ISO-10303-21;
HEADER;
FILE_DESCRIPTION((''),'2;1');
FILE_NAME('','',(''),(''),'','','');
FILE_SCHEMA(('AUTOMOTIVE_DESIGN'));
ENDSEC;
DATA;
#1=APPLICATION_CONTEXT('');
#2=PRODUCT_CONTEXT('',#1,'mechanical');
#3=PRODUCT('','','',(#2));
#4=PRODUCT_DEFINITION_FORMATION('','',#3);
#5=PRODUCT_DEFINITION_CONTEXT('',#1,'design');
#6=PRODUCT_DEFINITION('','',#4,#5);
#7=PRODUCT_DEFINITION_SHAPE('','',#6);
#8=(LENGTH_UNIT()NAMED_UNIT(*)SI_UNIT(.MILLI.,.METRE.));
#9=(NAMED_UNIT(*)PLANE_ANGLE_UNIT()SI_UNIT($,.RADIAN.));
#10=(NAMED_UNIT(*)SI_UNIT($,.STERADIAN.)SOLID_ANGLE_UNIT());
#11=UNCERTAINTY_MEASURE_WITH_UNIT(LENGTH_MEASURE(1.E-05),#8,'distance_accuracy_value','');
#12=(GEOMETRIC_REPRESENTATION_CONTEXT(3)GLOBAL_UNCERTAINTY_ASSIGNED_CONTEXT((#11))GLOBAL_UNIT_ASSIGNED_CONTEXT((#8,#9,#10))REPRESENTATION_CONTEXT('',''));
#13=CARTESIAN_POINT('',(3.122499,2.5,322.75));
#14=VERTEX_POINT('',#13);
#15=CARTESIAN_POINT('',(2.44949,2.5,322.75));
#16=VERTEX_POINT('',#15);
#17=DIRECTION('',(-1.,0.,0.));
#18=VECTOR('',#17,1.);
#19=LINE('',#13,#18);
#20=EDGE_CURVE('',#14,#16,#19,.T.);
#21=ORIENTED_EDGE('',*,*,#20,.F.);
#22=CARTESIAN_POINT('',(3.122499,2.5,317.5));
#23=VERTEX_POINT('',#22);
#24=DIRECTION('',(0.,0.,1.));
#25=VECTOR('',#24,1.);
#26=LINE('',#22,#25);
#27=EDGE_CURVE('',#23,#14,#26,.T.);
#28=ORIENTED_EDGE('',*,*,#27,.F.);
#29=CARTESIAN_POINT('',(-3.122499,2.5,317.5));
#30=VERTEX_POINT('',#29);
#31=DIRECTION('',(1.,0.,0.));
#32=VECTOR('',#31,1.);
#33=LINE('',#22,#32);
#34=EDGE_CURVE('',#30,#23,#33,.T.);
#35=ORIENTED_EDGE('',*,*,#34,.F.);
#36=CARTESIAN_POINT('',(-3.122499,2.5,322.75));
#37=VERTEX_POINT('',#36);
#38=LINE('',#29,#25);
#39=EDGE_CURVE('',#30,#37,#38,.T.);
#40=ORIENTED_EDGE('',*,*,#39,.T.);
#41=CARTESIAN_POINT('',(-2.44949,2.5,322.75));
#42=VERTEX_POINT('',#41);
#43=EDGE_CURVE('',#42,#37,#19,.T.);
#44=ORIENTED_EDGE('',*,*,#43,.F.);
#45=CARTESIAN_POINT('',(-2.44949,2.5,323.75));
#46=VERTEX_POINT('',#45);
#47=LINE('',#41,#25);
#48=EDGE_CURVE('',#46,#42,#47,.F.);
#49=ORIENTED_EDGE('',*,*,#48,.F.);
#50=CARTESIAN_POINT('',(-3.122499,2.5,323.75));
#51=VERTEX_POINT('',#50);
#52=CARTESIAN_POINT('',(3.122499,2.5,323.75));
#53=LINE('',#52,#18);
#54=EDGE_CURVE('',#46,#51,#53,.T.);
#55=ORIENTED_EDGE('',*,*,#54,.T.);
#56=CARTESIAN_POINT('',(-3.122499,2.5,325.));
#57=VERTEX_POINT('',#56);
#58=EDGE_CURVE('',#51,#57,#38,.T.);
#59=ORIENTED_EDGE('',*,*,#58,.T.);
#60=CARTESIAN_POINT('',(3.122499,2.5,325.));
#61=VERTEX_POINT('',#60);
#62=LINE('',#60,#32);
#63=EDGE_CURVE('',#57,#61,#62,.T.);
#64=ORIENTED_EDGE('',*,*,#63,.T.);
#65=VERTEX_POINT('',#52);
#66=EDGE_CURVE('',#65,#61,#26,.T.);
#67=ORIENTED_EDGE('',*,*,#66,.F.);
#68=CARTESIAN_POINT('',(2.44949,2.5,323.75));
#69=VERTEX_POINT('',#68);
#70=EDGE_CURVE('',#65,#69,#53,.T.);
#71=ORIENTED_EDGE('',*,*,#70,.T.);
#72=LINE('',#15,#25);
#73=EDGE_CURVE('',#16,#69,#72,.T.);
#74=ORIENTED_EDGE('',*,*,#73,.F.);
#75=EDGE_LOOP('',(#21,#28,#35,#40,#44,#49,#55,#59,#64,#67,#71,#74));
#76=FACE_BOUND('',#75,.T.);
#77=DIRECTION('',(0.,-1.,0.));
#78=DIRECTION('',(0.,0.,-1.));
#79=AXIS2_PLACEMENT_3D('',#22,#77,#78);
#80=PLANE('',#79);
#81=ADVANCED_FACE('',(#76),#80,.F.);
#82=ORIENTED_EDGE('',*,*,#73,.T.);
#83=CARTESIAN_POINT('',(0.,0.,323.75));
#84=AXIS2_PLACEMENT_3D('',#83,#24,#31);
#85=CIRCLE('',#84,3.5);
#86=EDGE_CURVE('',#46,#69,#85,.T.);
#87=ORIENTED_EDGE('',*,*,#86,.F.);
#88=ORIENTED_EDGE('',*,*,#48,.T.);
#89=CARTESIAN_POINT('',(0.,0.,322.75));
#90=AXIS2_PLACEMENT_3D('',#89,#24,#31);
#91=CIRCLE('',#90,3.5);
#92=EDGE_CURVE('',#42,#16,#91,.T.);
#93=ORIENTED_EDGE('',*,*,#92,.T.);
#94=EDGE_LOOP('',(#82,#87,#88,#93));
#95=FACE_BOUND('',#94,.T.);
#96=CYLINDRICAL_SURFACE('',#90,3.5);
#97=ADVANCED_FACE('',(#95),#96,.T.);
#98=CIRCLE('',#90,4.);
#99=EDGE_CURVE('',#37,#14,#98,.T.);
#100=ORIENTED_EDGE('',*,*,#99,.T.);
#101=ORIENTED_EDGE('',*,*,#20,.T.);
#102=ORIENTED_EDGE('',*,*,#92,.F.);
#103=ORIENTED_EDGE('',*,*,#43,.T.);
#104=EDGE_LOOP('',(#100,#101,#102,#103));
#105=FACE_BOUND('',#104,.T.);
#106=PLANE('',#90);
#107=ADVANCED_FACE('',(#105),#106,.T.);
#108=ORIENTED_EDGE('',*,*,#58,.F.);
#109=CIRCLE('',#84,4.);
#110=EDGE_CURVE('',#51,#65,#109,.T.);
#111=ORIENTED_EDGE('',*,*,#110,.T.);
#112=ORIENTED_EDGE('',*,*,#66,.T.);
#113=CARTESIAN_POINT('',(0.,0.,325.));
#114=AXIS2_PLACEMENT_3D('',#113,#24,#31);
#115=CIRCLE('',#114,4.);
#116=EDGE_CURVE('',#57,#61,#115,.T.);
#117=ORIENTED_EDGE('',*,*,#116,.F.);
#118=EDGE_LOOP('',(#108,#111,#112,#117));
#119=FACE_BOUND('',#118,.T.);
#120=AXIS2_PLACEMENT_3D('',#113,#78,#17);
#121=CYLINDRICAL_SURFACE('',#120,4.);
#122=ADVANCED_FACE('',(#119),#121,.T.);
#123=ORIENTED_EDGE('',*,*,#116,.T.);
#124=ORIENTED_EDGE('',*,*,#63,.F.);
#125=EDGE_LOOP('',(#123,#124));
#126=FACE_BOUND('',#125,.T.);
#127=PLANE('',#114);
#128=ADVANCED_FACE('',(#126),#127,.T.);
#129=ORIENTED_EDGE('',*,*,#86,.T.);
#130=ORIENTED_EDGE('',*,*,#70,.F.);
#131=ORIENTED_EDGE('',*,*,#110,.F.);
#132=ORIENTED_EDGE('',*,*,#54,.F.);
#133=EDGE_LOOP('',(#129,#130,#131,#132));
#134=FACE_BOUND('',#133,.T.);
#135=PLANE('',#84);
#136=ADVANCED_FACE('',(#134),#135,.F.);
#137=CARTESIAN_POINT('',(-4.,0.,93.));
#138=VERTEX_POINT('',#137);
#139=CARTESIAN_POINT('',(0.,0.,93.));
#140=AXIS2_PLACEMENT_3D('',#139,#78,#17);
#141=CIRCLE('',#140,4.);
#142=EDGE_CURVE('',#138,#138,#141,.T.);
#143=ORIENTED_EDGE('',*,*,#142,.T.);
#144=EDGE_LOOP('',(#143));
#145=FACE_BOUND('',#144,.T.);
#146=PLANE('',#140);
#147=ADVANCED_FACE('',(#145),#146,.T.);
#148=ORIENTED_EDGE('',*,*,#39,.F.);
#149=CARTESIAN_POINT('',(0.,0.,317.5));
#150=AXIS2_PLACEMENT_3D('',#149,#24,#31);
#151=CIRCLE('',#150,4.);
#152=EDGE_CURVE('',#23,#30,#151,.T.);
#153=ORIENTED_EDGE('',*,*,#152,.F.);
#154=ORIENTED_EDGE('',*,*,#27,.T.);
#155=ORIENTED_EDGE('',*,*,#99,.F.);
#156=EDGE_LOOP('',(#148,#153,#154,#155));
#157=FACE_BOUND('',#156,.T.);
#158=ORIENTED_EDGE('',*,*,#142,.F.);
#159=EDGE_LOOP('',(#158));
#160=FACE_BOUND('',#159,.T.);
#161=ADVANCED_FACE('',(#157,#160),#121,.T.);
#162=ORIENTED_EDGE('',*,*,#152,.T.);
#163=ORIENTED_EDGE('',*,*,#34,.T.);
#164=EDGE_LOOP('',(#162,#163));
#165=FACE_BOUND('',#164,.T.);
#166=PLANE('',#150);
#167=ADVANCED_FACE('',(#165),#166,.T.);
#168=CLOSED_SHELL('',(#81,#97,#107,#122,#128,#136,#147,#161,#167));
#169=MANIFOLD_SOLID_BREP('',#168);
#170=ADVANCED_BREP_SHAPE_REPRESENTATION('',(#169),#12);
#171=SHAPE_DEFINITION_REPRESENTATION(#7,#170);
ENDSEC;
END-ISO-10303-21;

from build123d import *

# Parameters (mm, degrees)
SKETCH1_R           = 4
BOSS_EXTRUDE1_DEPTH = 325
CUT_EXTRUDE1_DEPTH  = 7.5
SKETCH3_R           = 4
SKETCH3_R_2         = 3.5
CUT_EXTRUDE2_DEPTH  = 1
SKETCH5_R           = 4
CUT_EXTRUDE3_DEPTH  = 65
SKETCH6_R           = 4
BOSS_EXTRUDE2_DEPTH = 13
SKETCH7_R           = 4
BOSS_EXTRUDE3_DEPTH = 10
SKETCH8_R           = 4
BOSS_EXTRUDE4_DEPTH = 40
SKETCH9_R           = 4
CUT_EXTRUDE4_DEPTH  = 30
SKETCH10_R          = 4
CUT_EXTRUDE5_DEPTH  = 61


with BuildPart() as part:
    # Sketch1 → Boss-Extrude1 (new body)
    with BuildSketch(Plane.XY):
        Circle(SKETCH1_R)
    extrude(amount=BOSS_EXTRUDE1_DEPTH)

    # Sketch2 → Cut-Extrude1 (cut)
    with BuildSketch(Plane.XY.offset(325)):
        with BuildLine():
            Line((3.122498999, 2.5), (-3.122498999, 2.5))
            ThreePointArc((-3.122498999, 2.5), (0, 4), (3.122498999, 2.5))
        make_face()
    extrude(amount=-CUT_EXTRUDE1_DEPTH, mode=Mode.SUBTRACT)

    # Sketch3 → Cut-Extrude2 (cut)
    with BuildSketch(Plane.XY.offset(323.75)):
        Circle(SKETCH3_R)
        Circle(SKETCH3_R_2, mode=Mode.SUBTRACT)
    extrude(amount=-CUT_EXTRUDE2_DEPTH, mode=Mode.SUBTRACT)

    # Sketch5 → Cut-Extrude3 (cut)
    with BuildSketch(Plane(origin=(0, 0, 0), x_dir=(-1, 0, 0), z_dir=(0, 0, -1))):
        Circle(SKETCH5_R)
    extrude(amount=-CUT_EXTRUDE3_DEPTH, mode=Mode.SUBTRACT)

    # Sketch6 → Boss-Extrude2 (add)
    with BuildSketch(Plane(origin=(0, 0, 65), x_dir=(-1, 0, 0), z_dir=(0, 0, -1))):
        Circle(SKETCH6_R)
    extrude(amount=BOSS_EXTRUDE2_DEPTH)

    # Sketch7 → Boss-Extrude3 (add)
    with BuildSketch(Plane(origin=(0, 0, 52), x_dir=(-1, 0, 0), z_dir=(0, 0, -1))):
        Circle(SKETCH7_R)
    extrude(amount=BOSS_EXTRUDE3_DEPTH)

    # Sketch8 → Boss-Extrude4 (add)
    with BuildSketch(Plane(origin=(0, 0, 42), x_dir=(-1, 0, 0), z_dir=(0, 0, -1))):
        Circle(SKETCH8_R)
    extrude(amount=BOSS_EXTRUDE4_DEPTH)

    # Sketch9 → Cut-Extrude4 (cut)
    with BuildSketch(Plane(origin=(0, 0, 2), x_dir=(-1, 0, 0), z_dir=(0, 0, -1))):
        Circle(SKETCH9_R)
    extrude(amount=-CUT_EXTRUDE4_DEPTH, mode=Mode.SUBTRACT)

    # Sketch10 → Cut-Extrude5 (cut)
    with BuildSketch(Plane(origin=(0, 0, 32), x_dir=(-1, 0, 0), z_dir=(0, 0, -1))):
        Circle(SKETCH10_R)
    extrude(amount=-CUT_EXTRUDE5_DEPTH, mode=Mode.SUBTRACT)


solid = part.part
